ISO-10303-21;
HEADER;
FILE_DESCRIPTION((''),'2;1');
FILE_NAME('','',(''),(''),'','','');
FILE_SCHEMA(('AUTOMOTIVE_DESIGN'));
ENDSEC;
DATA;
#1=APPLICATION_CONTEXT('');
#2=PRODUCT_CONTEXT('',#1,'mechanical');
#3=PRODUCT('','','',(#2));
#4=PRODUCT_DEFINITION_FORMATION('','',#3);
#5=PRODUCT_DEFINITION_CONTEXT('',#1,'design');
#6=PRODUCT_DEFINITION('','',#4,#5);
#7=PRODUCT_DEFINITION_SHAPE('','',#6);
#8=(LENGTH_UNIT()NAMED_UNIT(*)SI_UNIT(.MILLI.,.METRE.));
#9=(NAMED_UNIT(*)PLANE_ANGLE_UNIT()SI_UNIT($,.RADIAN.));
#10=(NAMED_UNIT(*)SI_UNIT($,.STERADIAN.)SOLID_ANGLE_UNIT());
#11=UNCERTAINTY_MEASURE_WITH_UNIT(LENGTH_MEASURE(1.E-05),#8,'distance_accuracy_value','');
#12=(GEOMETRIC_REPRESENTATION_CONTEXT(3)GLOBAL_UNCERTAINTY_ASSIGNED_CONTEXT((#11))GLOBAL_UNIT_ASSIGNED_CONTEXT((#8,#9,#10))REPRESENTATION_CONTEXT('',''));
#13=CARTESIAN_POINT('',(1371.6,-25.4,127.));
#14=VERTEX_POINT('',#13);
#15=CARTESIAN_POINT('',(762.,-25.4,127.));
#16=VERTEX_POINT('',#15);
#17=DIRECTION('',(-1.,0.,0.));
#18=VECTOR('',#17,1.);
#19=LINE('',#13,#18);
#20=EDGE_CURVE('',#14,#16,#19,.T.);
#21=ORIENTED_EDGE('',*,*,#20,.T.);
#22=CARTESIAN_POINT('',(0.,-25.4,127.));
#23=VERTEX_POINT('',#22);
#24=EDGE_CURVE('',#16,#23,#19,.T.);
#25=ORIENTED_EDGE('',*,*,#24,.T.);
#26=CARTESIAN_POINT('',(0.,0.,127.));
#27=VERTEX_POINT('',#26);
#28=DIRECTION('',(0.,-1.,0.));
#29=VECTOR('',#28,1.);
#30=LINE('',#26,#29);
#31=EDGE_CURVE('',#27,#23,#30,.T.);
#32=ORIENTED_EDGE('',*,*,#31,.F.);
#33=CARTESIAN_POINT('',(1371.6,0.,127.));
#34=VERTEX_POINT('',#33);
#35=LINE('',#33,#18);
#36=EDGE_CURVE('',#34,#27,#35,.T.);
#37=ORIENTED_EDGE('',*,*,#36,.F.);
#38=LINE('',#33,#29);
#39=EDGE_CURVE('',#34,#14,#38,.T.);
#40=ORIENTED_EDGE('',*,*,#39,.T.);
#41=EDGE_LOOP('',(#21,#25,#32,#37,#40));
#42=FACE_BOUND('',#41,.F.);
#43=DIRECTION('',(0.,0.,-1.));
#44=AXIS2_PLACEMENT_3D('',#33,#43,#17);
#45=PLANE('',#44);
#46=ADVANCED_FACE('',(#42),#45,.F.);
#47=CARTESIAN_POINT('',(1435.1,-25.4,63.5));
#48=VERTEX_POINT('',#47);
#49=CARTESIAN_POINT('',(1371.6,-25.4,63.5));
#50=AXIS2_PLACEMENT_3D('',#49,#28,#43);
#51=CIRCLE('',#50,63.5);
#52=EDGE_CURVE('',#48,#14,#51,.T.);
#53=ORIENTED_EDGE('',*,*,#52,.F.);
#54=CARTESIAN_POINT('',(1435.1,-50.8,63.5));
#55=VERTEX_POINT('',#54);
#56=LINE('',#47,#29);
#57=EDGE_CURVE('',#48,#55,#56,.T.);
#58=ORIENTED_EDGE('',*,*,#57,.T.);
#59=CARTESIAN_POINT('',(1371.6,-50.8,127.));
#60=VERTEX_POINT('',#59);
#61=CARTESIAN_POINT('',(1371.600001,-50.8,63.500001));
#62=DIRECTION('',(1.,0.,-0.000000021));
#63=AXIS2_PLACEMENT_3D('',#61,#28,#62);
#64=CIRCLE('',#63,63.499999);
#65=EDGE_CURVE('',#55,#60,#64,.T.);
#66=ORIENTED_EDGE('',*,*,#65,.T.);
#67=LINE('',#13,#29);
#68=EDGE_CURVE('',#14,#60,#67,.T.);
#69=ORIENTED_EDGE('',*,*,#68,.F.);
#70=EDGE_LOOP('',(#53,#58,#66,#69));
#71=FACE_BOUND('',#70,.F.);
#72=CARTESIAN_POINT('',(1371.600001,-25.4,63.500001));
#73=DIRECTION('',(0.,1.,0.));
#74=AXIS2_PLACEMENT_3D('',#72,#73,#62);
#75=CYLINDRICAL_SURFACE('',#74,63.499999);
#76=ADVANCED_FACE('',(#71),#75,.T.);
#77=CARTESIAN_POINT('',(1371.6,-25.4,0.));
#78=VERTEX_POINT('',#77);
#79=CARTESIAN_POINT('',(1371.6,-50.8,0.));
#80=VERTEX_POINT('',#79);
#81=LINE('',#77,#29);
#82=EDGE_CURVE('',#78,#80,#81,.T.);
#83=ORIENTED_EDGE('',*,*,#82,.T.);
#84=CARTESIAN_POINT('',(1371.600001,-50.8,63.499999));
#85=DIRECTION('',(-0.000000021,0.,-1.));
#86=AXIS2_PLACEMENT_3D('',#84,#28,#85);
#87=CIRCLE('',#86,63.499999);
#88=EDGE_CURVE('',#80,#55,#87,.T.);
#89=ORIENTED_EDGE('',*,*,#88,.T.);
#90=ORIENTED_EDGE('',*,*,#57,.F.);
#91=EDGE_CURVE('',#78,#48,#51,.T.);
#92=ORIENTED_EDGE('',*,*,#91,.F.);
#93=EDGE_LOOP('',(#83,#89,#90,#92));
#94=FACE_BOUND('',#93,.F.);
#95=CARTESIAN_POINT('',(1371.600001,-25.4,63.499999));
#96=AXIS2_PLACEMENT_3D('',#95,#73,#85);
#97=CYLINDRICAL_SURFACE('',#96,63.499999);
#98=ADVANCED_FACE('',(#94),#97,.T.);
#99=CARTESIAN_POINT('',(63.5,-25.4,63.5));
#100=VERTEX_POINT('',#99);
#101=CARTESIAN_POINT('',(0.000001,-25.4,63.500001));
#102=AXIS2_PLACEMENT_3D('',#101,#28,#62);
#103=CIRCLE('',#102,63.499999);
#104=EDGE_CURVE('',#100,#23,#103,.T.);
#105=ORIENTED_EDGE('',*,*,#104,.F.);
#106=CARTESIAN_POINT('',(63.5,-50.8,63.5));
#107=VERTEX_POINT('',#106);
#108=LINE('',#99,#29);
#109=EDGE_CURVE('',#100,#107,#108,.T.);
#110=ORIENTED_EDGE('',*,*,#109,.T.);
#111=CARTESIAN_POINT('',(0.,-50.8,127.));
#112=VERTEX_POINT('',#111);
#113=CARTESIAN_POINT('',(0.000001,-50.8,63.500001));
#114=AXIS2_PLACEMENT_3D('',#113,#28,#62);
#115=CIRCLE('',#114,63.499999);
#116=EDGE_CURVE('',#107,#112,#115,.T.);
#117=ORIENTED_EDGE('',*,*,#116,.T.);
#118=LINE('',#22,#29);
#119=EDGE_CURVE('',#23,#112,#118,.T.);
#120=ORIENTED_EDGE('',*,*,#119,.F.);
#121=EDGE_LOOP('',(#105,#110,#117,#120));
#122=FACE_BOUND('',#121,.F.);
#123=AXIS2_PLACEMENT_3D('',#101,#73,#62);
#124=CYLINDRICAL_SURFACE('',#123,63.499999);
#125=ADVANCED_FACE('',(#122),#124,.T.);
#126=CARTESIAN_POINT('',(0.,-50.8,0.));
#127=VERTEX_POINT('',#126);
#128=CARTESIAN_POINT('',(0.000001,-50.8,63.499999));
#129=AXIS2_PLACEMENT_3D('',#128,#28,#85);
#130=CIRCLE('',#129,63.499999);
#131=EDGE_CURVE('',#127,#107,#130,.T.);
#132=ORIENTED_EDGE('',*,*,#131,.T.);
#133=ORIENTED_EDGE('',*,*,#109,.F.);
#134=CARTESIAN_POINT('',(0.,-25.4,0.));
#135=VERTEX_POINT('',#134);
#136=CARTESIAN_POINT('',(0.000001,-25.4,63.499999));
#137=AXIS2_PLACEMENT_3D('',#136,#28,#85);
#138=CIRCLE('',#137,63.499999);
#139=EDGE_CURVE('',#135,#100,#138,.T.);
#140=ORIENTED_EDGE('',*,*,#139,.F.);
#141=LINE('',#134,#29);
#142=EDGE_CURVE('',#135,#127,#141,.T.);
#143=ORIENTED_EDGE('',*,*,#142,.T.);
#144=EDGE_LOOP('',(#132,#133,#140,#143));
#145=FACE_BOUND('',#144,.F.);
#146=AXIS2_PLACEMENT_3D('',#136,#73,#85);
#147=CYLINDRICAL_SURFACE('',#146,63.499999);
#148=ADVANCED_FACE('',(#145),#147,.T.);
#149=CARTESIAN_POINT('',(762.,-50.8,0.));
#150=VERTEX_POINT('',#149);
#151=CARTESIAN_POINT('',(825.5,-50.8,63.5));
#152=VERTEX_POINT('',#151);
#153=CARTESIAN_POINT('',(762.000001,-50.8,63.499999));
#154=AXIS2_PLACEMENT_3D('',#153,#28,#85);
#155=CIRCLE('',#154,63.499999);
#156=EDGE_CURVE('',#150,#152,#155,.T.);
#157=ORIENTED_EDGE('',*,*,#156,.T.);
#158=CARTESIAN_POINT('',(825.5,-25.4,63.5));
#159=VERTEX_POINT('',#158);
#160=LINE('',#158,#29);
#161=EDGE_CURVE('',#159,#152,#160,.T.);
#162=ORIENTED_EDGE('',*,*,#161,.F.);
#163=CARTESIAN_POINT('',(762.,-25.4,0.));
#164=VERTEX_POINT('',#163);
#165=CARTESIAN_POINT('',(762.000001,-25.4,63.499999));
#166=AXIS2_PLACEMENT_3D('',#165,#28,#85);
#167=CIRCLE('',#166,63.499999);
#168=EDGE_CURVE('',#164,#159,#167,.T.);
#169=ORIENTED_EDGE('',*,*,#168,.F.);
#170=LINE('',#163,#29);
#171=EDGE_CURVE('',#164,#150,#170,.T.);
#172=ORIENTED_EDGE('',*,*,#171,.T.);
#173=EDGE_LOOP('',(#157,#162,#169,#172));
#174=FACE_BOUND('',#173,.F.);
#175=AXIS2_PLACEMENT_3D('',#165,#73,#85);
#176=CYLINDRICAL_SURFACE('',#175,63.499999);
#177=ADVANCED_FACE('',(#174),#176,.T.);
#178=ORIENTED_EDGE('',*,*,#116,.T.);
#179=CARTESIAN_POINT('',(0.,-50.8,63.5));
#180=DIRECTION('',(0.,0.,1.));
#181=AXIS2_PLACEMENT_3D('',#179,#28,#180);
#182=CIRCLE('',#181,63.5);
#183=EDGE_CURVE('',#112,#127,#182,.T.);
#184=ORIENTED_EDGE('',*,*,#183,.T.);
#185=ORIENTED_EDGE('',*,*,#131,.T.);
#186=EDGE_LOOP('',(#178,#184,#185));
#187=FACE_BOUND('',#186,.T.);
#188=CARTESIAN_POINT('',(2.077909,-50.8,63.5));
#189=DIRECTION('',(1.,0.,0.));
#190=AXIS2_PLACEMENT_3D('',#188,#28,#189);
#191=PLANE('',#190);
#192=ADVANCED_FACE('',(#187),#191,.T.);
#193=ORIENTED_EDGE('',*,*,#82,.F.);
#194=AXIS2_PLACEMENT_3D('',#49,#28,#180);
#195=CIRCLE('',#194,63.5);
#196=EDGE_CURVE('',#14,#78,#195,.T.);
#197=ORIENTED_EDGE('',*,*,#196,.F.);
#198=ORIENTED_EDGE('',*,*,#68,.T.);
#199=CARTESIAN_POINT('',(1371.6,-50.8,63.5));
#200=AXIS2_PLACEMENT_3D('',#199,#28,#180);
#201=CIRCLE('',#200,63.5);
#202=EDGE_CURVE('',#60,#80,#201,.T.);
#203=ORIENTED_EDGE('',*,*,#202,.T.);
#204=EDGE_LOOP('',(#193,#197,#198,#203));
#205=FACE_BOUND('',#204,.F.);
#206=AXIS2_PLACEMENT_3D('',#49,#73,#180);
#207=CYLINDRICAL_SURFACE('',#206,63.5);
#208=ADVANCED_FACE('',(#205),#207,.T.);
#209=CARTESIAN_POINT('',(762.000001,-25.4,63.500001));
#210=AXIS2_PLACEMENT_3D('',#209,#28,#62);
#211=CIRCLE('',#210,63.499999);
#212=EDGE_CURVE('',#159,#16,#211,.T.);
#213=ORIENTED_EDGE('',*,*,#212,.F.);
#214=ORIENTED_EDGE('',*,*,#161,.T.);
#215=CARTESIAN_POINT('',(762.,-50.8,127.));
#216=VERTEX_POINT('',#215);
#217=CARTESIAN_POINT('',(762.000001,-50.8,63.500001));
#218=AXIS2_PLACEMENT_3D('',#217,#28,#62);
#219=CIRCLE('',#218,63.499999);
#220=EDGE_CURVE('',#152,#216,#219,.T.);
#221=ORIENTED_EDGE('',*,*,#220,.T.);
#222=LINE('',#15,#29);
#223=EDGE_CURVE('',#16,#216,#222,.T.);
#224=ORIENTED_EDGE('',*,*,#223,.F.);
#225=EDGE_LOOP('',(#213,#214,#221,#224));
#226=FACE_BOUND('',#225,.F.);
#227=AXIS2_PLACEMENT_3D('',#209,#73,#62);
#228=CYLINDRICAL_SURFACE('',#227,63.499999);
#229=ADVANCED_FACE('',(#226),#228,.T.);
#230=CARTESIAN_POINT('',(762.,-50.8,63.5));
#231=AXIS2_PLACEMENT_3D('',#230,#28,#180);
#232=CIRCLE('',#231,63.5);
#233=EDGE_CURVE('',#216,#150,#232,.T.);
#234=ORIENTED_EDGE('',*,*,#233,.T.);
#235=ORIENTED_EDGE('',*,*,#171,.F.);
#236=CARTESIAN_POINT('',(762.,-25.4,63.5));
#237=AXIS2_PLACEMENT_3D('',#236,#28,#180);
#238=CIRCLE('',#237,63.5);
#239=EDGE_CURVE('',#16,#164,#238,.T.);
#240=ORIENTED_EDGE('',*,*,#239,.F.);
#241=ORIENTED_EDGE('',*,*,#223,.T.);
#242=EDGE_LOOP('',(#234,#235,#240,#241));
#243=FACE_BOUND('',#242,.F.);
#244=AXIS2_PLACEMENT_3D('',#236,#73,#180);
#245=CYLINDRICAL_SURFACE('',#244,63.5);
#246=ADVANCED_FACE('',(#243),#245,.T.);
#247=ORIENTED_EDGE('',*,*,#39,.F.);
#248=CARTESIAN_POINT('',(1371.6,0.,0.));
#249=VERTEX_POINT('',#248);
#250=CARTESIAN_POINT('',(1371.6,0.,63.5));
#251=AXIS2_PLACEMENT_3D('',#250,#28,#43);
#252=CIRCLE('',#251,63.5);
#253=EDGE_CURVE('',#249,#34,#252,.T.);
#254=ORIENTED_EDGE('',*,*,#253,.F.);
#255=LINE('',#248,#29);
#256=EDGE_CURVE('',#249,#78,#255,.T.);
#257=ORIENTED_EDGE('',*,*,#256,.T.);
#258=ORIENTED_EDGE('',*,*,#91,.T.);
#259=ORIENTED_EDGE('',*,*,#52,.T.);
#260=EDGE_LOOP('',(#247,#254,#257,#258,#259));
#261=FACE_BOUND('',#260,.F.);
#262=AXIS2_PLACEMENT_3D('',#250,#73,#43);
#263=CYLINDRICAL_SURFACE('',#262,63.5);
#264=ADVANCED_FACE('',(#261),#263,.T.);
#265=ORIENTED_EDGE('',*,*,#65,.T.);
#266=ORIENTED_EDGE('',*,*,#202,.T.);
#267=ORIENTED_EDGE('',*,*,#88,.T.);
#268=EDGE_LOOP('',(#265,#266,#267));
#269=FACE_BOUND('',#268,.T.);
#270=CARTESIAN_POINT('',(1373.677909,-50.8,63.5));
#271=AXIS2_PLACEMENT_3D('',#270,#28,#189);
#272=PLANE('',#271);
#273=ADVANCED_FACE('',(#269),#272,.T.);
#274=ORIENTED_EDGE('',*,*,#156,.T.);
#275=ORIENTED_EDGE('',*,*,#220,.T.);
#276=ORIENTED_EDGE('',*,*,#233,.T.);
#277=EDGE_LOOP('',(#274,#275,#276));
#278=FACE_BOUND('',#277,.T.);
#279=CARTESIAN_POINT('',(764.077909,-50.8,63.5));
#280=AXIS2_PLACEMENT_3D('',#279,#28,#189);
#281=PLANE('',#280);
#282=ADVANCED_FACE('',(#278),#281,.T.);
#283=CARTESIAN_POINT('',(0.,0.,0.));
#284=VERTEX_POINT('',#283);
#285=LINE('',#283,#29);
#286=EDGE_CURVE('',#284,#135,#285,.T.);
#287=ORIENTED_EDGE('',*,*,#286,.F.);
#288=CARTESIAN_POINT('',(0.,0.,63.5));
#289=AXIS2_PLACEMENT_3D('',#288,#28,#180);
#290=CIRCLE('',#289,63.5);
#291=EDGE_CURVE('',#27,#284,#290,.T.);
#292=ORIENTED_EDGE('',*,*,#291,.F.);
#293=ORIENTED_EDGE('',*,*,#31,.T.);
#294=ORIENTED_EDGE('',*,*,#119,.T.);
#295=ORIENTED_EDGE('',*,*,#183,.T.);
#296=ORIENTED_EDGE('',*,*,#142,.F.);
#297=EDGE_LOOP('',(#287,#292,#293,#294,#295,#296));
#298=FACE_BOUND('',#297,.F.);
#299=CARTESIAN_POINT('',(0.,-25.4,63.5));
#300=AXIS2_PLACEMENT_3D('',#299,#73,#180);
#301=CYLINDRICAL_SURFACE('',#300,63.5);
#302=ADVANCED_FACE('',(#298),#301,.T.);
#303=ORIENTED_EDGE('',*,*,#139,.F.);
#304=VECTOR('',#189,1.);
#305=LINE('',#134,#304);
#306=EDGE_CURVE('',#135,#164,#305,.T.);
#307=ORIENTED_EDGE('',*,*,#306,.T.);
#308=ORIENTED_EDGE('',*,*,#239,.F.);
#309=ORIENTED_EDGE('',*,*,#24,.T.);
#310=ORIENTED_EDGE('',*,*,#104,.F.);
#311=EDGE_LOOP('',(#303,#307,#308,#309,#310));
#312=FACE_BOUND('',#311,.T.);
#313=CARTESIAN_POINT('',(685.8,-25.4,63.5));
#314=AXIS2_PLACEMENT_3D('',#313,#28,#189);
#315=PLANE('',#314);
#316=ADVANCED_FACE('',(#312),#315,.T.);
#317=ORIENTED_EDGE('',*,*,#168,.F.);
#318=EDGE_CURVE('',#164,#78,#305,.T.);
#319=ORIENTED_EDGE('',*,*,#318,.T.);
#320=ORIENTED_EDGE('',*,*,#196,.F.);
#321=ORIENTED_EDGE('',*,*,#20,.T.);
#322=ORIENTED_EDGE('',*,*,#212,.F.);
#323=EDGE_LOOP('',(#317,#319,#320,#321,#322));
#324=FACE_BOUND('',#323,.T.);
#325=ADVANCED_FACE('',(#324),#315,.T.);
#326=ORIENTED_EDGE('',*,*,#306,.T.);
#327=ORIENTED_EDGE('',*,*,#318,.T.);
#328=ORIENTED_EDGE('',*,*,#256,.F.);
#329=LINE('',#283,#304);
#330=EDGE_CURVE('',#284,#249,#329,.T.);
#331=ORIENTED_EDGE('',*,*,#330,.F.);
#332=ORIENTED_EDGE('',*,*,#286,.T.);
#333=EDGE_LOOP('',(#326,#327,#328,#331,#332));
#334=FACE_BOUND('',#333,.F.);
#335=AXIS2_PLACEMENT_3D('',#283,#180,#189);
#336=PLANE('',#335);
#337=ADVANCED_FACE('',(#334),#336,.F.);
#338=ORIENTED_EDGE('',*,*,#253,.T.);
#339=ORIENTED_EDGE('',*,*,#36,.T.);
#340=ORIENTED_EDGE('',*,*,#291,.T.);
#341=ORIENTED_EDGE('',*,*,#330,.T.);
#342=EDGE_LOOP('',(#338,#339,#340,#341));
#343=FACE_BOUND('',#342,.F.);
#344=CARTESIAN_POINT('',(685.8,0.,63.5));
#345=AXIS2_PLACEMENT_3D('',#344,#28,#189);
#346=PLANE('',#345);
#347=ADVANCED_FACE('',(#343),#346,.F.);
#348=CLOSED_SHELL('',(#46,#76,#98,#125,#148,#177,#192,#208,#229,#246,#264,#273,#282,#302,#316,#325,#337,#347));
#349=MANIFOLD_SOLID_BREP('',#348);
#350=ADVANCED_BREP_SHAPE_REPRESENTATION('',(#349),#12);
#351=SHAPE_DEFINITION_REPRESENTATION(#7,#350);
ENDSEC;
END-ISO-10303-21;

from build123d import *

# Parameters (mm, degrees)
F1_DEPTH = 25.4
F3_DEPTH = 25.4


with BuildPart() as f1:
    # F0 (on Front) → F1 (new body)
    with BuildSketch(Plane.XZ):
        with BuildLine():
            ThreePointArc((0, 127), (-63.5, 63.5), (0, 0))
            Line((0, 0), (1371.6, 0))
            ThreePointArc((1371.6, 0), (1435.1, 63.5), (1371.6, 127))
            Line((1371.6, 127), (0, 127))
        make_face()
    extrude(amount=F1_DEPTH)

    # F2 (on face) → F3 (join)
    with BuildSketch(Plane.XZ.offset(25.4)):
        with BuildLine():
            ThreePointArc((0, 0), (44.901281, 18.598719), (63.5, 63.5))
            ThreePointArc((63.5, 63.5), (44.901281, 108.401281), (0, 127))
            ThreePointArc((0, 127), (-63.5, 63.5), (0, 0))
        make_face()
        with BuildLine():
            ThreePointArc((825.5, 63.5), (806.901281, 108.401281), (762, 127))
            ThreePointArc((762, 127), (698.5, 63.5), (762, 0))
            ThreePointArc((762, 0), (806.901281, 18.598719), (825.5, 63.5))
        make_face()
        with BuildLine():
            ThreePointArc((1435.1, 63.5), (1416.501281, 108.401281), (1371.6, 127))
            ThreePointArc((1371.6, 127), (1308.1, 63.5), (1371.6, 0))
            ThreePointArc((1371.6, 0), (1416.501281, 18.598719), (1435.1, 63.5))
        make_face()
    extrude(amount=F3_DEPTH)


solid = f1.part
